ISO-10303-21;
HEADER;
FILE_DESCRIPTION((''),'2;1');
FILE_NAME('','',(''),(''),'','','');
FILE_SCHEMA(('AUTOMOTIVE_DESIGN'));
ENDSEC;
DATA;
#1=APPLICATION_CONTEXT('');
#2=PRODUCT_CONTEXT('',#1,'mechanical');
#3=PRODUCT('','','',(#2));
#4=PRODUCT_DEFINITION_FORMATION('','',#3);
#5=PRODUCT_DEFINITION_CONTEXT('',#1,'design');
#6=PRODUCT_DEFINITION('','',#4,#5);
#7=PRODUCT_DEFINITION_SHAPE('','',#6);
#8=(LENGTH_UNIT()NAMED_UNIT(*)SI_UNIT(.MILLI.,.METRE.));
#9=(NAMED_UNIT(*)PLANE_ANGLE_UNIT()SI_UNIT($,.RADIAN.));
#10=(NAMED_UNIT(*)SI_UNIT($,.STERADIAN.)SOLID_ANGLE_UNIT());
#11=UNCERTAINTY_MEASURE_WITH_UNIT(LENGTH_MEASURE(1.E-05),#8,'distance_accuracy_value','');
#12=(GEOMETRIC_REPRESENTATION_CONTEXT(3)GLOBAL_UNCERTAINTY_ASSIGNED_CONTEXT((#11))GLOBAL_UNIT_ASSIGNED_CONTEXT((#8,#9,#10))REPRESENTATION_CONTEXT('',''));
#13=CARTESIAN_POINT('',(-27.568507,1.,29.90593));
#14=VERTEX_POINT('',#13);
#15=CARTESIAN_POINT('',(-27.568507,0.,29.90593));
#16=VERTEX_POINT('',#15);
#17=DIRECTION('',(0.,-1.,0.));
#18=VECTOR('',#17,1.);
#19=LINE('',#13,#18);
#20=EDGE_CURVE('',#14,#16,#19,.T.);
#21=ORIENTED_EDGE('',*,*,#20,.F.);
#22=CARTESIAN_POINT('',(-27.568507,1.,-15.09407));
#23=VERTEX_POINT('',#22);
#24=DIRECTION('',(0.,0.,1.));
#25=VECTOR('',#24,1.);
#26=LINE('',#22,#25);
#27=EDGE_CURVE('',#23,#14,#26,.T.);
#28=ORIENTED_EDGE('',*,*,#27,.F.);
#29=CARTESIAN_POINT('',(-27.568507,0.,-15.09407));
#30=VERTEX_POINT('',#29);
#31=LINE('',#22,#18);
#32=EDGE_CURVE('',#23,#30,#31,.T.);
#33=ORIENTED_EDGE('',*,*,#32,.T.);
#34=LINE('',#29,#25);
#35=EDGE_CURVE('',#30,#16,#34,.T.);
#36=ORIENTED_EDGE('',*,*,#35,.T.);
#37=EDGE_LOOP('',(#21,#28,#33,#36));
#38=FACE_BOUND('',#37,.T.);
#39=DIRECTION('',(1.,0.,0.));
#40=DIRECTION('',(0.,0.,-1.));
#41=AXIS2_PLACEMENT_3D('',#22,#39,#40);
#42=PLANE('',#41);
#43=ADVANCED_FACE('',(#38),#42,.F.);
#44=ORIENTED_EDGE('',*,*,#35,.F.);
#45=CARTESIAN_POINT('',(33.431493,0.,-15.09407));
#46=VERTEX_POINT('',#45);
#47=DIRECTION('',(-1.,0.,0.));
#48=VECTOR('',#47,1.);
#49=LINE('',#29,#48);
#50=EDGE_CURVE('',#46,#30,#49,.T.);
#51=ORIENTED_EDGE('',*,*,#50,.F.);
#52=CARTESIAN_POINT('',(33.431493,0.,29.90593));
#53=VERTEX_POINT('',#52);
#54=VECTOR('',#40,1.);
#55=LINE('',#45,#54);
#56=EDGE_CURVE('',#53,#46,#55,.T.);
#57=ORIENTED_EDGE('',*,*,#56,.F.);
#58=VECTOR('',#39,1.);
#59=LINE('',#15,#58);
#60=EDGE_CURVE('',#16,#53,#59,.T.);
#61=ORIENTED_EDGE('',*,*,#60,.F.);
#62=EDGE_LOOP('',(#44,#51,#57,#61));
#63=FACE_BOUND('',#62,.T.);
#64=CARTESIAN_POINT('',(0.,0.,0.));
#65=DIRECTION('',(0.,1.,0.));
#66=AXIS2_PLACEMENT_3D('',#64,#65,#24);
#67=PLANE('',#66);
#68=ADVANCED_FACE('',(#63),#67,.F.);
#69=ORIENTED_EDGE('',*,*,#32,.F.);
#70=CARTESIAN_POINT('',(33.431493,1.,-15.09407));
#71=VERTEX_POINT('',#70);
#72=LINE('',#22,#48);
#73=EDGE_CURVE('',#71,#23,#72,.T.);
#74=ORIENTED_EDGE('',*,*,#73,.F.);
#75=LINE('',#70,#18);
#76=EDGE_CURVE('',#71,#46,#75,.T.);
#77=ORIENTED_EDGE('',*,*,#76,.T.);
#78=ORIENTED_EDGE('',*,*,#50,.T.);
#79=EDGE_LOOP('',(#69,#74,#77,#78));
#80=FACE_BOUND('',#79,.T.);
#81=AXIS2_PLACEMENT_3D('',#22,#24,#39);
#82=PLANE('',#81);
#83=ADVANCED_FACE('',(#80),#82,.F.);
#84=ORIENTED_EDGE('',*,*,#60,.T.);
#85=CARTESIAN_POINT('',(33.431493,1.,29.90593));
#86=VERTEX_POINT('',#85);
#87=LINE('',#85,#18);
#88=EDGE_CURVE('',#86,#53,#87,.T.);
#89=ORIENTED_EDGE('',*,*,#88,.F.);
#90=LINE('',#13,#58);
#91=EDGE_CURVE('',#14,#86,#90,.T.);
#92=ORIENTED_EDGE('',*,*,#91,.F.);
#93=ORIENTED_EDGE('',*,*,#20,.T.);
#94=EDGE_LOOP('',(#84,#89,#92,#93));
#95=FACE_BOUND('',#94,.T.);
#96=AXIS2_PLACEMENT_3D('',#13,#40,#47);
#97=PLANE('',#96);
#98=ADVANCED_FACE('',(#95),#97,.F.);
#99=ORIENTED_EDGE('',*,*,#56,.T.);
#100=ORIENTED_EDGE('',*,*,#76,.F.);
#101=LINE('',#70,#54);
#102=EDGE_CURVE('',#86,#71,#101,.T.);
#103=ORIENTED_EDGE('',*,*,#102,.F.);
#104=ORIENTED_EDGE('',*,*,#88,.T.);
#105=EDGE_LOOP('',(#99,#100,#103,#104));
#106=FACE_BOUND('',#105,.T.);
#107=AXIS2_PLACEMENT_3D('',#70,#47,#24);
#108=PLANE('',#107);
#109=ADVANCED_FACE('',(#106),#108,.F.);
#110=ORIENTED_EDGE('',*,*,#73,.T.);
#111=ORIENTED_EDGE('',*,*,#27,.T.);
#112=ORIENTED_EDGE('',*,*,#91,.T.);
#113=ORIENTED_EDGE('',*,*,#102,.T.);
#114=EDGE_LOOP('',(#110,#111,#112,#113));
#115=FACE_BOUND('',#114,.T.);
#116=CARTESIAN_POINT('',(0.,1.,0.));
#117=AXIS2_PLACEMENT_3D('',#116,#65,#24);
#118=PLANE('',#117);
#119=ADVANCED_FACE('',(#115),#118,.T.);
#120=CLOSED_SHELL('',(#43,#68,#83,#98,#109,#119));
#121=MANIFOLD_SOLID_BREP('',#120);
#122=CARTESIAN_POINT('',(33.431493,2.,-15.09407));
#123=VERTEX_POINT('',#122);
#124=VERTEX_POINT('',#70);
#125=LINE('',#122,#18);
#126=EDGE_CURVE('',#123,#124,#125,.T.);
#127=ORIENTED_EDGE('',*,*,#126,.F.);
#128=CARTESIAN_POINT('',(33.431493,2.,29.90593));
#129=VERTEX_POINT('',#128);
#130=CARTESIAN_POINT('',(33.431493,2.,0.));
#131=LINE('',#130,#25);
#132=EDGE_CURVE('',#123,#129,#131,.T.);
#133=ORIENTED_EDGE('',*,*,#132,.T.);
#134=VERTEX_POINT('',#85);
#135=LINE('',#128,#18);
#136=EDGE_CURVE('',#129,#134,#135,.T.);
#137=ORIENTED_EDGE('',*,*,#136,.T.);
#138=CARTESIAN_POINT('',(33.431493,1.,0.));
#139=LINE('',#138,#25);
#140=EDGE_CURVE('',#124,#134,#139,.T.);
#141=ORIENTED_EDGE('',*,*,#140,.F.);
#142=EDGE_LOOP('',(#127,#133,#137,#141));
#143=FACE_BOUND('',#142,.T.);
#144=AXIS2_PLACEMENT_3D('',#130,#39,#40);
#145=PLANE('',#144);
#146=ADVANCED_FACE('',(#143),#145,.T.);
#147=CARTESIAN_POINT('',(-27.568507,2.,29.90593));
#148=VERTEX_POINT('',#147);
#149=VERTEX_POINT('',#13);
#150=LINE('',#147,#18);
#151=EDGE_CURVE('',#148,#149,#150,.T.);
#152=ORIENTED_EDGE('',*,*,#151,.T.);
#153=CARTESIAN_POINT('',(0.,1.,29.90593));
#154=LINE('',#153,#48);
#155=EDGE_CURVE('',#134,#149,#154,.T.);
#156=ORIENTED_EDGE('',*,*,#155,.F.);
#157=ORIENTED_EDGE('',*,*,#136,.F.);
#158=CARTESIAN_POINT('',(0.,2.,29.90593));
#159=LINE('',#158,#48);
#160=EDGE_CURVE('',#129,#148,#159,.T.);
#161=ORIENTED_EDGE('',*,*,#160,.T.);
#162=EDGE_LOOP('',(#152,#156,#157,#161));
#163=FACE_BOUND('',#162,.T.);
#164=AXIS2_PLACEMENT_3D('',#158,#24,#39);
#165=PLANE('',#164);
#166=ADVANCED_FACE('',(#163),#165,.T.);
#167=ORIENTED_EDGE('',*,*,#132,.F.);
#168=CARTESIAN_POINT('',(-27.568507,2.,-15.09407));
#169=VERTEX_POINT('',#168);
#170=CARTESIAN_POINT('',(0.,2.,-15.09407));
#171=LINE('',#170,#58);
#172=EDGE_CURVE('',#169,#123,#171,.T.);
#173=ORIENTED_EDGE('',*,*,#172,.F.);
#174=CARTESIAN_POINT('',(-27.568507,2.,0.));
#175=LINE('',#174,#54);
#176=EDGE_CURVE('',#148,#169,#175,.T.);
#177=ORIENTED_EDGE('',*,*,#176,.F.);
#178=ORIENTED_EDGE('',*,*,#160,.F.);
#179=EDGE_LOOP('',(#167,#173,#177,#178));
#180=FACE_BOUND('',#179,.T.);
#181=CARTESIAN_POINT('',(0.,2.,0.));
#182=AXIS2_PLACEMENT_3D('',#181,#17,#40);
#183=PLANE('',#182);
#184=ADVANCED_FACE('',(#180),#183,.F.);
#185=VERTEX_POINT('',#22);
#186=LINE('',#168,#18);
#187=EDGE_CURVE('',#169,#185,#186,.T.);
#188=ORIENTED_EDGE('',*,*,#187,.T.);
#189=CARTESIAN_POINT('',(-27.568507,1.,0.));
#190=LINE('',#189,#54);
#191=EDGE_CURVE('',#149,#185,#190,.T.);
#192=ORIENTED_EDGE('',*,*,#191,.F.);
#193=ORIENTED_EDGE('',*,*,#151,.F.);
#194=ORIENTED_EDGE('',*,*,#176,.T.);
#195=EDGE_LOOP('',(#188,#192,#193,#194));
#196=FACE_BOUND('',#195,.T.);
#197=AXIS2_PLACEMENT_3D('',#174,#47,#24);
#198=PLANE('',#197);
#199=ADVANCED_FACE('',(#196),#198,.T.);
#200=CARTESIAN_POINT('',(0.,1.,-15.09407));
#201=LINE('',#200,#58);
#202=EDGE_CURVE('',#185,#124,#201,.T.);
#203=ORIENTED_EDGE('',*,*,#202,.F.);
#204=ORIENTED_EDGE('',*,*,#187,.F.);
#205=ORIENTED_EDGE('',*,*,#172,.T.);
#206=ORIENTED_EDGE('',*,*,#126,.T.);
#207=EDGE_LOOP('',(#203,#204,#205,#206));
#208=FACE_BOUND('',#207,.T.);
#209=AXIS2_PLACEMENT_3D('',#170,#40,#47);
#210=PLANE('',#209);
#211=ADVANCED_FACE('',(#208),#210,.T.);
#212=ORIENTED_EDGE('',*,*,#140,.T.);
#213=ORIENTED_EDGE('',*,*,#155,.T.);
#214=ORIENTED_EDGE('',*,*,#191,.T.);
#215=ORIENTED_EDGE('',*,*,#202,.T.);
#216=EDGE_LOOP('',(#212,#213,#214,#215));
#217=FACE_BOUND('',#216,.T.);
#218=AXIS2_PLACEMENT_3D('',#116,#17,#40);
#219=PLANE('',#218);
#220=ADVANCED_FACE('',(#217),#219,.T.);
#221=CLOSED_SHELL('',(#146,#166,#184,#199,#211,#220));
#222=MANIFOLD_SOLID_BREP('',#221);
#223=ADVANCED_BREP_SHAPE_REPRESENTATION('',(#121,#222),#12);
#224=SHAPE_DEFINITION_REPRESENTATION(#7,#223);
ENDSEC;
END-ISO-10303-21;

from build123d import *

# Parameters (mm, degrees)
SKETCH1_W           = 61
SKETCH1_H           = 45
BOSS_EXTRUDE1_DEPTH = 1
BOSS_EXTRUDE3_START = 1
SKETCH1_3_W         = 61
SKETCH1_3_H         = 45
BOSS_EXTRUDE3_DEPTH = 1


with BuildPart() as part:
    # Sketch1 → Boss-Extrude1 (new body)
    with BuildSketch(Plane(origin=(0, 0, 0), x_dir=(1, 0, 0), z_dir=(0, 1, 0))):
        with Locations((2.931492843, -7.40593047)):
            Rectangle(SKETCH1_W, SKETCH1_H)
    extrude(amount=BOSS_EXTRUDE1_DEPTH)


with BuildPart() as body_2:
    # Sketch1<3> → Boss-Extrude3 (new body)
    with BuildSketch(Plane(origin=(0, 0, 0), x_dir=(1, 0, 0), z_dir=(0, 1, 0)).offset(BOSS_EXTRUDE3_START)):
        with Locations((2.931492843, -7.40593047)):
            Rectangle(SKETCH1_3_W, SKETCH1_3_H)
    extrude(amount=BOSS_EXTRUDE3_DEPTH)


solid = Compound([part.part, body_2.part])
